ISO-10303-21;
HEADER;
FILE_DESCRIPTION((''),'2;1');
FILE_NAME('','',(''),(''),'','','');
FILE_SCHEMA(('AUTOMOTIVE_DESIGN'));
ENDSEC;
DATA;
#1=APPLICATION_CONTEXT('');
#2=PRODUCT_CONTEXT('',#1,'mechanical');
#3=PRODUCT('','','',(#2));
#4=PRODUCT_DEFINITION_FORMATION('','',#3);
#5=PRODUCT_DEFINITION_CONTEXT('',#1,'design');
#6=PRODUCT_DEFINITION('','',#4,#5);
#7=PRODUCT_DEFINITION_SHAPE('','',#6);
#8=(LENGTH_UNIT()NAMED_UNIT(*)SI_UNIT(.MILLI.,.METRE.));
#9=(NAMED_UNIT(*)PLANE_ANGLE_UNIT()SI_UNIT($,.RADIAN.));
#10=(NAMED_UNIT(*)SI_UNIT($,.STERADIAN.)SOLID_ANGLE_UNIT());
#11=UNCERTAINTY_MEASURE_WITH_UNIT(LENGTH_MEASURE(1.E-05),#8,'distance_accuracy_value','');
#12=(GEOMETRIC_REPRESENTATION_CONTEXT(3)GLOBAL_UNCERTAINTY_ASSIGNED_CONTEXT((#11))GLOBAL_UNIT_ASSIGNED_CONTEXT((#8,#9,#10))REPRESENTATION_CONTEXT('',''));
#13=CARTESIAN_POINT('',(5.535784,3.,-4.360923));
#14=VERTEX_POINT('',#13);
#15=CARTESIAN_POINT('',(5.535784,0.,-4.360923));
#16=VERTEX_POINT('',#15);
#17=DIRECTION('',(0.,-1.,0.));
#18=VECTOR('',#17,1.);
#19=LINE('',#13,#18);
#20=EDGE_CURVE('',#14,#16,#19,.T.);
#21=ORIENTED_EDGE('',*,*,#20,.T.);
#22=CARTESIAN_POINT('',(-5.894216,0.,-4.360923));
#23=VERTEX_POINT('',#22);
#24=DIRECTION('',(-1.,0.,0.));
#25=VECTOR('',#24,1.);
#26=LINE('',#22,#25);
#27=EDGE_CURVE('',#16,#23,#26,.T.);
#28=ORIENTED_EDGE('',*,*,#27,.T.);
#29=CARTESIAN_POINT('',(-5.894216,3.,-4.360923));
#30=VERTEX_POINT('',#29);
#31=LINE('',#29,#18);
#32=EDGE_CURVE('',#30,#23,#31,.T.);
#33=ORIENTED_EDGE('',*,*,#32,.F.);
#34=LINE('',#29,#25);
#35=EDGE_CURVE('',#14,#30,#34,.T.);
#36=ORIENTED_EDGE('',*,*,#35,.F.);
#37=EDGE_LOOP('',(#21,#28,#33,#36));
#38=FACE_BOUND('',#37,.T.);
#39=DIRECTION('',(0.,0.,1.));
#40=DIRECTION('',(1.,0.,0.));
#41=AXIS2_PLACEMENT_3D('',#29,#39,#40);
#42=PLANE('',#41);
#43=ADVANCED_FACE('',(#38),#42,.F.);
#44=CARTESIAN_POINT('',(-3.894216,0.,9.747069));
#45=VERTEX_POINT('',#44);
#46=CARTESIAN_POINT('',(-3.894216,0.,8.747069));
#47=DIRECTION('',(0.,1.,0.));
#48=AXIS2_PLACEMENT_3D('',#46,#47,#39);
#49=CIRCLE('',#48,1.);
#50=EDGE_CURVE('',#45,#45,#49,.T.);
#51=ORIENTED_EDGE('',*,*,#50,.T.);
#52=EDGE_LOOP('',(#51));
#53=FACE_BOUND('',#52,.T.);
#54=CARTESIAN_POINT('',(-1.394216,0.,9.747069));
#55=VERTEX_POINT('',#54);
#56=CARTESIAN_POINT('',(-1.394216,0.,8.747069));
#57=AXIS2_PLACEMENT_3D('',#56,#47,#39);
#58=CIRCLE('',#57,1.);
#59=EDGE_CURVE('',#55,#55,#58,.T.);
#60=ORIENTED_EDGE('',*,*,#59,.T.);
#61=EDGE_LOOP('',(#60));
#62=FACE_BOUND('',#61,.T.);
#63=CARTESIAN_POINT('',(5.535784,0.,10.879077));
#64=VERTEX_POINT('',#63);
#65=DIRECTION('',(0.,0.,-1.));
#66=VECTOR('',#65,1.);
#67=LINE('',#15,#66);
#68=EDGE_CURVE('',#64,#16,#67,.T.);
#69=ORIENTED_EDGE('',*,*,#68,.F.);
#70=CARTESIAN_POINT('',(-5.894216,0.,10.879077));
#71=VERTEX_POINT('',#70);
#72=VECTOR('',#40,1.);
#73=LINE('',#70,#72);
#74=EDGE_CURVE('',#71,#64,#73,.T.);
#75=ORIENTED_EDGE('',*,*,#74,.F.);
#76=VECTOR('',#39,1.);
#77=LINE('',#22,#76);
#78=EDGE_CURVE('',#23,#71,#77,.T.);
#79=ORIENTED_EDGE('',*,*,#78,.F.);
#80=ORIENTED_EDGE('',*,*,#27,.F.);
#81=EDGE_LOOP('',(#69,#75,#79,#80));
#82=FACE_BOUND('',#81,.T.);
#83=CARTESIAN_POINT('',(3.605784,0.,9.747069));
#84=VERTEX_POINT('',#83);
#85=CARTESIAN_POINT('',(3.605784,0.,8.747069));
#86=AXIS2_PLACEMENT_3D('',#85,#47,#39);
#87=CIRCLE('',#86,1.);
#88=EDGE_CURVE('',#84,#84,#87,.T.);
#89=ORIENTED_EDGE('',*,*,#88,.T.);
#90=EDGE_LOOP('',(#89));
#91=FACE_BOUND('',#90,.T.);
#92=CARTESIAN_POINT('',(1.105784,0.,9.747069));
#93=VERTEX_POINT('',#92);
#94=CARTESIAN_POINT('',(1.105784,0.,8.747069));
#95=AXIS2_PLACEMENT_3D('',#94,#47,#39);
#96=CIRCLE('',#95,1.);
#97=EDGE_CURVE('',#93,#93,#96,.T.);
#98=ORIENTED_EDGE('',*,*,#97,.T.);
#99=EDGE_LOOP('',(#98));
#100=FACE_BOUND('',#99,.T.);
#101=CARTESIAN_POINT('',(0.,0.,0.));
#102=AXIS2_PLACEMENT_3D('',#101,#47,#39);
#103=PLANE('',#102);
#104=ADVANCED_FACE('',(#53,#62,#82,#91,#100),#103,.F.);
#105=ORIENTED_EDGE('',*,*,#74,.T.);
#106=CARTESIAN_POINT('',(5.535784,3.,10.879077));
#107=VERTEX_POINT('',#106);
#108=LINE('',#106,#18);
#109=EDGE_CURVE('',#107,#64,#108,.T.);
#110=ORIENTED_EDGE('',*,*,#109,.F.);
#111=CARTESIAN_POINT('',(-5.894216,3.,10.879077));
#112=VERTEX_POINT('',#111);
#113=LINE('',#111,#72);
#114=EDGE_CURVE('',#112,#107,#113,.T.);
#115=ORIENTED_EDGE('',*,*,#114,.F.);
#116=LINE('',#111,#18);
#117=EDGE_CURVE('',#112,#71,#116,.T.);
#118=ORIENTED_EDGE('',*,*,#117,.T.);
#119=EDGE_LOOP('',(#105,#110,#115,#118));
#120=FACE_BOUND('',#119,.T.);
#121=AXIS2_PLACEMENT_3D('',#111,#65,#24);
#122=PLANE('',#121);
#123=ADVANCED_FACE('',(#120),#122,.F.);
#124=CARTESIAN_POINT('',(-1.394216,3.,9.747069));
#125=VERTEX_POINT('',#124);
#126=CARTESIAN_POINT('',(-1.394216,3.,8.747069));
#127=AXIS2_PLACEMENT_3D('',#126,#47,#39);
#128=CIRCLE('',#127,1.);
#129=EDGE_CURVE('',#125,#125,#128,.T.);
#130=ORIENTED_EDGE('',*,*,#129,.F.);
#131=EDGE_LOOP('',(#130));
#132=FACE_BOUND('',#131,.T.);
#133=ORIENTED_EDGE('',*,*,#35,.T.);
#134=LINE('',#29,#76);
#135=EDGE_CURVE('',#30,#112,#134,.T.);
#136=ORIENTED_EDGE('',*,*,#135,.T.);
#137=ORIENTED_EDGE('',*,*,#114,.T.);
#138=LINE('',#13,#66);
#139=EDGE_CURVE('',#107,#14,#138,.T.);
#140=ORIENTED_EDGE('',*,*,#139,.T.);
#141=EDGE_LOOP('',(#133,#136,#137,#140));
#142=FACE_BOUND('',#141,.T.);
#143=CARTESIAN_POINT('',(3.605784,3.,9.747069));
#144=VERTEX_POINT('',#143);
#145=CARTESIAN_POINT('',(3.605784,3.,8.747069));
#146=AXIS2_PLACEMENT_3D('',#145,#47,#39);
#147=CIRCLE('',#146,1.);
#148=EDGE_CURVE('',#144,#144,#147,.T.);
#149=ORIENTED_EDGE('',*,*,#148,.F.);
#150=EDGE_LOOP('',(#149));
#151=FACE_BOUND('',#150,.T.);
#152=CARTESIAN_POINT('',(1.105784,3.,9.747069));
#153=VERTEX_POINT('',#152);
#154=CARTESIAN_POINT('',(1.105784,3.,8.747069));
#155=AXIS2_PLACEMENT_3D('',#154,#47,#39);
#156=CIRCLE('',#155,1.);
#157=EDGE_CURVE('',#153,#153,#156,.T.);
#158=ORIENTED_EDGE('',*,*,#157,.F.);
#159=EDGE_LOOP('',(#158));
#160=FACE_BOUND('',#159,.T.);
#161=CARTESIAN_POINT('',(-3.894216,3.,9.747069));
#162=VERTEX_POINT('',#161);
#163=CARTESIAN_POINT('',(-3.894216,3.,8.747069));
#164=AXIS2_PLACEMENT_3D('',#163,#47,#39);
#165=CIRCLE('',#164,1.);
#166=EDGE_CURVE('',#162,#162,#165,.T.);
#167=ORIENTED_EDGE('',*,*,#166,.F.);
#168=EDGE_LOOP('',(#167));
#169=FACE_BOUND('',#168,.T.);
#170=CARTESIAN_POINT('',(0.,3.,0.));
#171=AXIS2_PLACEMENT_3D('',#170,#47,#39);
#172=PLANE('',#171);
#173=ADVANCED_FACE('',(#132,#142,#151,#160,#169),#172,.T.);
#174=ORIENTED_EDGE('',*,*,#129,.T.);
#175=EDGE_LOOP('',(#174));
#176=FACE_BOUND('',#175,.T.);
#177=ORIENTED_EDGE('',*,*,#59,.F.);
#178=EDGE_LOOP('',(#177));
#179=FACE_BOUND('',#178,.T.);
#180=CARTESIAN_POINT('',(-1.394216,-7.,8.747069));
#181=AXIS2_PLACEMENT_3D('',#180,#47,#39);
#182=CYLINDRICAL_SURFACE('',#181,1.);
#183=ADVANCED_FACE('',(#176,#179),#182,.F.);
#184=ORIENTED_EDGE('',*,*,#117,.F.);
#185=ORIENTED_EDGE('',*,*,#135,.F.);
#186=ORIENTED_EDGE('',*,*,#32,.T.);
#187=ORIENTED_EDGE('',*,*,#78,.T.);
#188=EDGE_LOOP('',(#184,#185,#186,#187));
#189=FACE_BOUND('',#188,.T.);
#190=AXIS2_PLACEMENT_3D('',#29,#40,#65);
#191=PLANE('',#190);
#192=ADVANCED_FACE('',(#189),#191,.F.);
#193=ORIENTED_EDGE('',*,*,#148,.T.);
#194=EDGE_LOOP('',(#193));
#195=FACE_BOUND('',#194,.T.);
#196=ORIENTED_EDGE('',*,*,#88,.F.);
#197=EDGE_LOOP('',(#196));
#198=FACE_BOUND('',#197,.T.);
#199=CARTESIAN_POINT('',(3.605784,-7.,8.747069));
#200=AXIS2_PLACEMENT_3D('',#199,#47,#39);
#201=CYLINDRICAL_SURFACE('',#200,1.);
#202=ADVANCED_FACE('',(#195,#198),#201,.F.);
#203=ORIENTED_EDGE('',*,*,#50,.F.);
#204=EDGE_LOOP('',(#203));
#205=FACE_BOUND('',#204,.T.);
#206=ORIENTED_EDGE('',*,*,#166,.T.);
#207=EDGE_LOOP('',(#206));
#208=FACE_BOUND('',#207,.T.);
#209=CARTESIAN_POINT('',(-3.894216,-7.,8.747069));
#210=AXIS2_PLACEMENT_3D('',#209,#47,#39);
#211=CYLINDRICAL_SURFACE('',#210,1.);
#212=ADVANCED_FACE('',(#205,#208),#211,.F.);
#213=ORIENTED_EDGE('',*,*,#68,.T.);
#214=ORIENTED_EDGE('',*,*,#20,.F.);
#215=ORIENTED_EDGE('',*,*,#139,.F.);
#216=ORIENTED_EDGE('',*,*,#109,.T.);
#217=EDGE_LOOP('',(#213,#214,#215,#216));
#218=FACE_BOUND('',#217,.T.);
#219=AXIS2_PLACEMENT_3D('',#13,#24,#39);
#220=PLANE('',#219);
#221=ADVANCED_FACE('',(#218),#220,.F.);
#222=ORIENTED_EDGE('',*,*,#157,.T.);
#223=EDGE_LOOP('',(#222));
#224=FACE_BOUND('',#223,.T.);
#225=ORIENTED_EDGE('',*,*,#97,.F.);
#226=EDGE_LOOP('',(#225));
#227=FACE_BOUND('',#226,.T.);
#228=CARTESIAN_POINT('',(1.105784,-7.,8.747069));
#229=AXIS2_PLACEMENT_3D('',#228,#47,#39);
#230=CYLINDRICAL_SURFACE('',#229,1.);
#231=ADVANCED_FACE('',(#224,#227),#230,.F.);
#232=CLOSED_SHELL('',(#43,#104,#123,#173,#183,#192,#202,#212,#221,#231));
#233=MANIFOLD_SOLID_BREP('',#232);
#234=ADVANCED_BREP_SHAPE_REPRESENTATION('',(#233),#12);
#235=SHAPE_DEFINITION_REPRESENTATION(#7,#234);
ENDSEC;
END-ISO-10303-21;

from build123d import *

# Parameters (mm, degrees)
SKETCH1_W           = 11.43
SKETCH1_H           = 15.24
BOSS_EXTRUDE1_DEPTH = 3
SKETCH2_R           = 1
CUT_EXTRUDE1_DEPTH  = 10


with BuildPart() as part:
    # Sketch1 → Boss-Extrude1 (new body)
    with BuildSketch(Plane(origin=(0, 0, 0), x_dir=(1, 0, 0), z_dir=(0, 1, 0))):
        with Locations((-0.179216028, -3.259076655)):
            Rectangle(SKETCH1_W, SKETCH1_H)
    extrude(amount=BOSS_EXTRUDE1_DEPTH)

    # Sketch2 → Cut-Extrude1 (cut)
    with BuildSketch(Plane(origin=(0, 3, 0), x_dir=(1, 0, 0), z_dir=(0, 1, 0))):
        with Locations((-3.894216028, -8.747068679)):
            Circle(SKETCH2_R)
        with Locations((-1.394216028, -8.747068679)):
            Circle(SKETCH2_R)
        with Locations((1.105783972, -8.747068679)):
            Circle(SKETCH2_R)
        with Locations((3.605783972, -8.747068679)):
            Circle(SKETCH2_R)
    extrude(amount=-CUT_EXTRUDE1_DEPTH, mode=Mode.SUBTRACT)


solid = part.part
